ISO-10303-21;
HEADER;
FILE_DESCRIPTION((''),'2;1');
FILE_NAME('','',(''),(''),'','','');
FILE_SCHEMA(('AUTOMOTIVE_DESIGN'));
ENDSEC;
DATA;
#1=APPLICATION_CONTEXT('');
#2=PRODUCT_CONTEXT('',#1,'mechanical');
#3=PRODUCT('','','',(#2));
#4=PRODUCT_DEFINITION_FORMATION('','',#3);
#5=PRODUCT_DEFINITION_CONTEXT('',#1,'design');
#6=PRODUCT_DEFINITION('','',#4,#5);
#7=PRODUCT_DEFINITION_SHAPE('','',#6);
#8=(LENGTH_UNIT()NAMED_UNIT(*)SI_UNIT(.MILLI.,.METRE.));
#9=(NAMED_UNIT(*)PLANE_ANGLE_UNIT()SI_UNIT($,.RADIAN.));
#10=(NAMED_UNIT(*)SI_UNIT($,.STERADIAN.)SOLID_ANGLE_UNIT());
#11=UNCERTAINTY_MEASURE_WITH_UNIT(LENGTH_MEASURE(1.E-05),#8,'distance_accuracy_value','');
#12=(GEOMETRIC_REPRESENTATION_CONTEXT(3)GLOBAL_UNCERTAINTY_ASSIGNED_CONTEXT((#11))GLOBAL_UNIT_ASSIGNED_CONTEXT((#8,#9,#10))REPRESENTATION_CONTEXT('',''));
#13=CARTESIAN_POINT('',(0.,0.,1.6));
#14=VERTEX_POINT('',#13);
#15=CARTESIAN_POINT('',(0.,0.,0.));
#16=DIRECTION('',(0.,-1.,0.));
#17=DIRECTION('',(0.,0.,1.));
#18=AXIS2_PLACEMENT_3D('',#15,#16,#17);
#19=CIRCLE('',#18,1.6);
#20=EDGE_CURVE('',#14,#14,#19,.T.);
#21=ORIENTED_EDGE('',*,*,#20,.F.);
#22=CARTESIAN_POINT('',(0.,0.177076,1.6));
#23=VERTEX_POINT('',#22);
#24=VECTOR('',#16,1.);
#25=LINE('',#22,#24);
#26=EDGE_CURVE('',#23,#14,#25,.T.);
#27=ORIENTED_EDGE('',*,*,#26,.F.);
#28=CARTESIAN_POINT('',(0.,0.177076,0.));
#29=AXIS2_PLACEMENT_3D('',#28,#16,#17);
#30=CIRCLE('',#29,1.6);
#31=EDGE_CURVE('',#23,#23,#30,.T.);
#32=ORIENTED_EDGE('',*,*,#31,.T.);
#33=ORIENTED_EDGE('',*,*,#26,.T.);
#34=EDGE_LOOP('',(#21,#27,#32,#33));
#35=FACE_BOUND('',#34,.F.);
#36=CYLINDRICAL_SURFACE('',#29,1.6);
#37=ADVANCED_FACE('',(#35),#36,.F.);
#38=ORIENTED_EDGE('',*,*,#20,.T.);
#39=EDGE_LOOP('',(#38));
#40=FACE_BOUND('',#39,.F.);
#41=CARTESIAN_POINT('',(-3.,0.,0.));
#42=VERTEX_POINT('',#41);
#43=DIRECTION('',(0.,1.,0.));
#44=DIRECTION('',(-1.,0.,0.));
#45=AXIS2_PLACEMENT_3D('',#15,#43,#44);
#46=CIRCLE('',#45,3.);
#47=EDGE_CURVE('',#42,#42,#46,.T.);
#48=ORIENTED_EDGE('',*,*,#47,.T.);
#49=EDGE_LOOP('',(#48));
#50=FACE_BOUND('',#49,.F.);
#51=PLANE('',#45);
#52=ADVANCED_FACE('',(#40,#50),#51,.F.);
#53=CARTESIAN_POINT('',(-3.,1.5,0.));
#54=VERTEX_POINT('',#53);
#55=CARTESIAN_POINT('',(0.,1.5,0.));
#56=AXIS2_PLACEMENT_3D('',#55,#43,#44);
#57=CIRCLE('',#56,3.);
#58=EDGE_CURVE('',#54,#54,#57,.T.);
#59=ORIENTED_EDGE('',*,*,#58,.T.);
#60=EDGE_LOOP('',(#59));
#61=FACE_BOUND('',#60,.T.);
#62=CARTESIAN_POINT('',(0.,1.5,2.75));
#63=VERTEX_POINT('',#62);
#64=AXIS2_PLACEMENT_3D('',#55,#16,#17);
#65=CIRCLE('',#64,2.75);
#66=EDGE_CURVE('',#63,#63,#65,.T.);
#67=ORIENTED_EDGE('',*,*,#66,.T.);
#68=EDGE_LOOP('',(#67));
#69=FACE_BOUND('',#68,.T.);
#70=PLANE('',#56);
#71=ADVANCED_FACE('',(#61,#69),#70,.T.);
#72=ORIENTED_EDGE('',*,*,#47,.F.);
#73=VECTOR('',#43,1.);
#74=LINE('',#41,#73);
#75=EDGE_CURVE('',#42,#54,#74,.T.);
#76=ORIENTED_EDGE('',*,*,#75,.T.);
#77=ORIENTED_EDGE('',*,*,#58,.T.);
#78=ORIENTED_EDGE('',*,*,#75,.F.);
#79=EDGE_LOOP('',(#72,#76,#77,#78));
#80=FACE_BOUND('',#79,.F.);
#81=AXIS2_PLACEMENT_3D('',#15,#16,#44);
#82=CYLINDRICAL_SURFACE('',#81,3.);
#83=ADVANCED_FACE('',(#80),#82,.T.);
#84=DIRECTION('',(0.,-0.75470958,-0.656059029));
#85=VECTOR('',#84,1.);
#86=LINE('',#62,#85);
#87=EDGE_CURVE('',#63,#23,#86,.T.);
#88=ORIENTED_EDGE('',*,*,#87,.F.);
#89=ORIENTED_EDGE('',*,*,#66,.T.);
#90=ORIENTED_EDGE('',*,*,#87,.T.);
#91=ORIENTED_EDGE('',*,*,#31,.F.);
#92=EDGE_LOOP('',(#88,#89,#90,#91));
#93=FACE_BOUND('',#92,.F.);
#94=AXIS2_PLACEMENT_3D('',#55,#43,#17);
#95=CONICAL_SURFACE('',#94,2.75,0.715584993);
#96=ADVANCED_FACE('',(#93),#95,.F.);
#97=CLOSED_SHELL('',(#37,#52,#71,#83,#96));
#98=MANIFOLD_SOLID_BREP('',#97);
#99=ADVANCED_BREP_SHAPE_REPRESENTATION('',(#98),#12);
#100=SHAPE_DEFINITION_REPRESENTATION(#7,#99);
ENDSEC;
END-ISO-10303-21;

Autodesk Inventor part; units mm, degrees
ref_plane "YZ Plane" through (0, 0, 0) normal (1, 0, 0) x (0, 1, 0)
ref_plane "XZ Plane" through (0, 0, 0) normal (0, 1, 0) x (-1, 0, 0)
ref_plane "XY Plane" through (0, 0, 0) normal (0, 0, 1) x (1, 0, 0)
sketch "Náčrt1" plane through (0, 0, 0) normal (0, 1, 0) x (-1, 0, 0)
  circle A0 centre (0, 0) radius 3
  dimension "d0" = 6
extrude "Vysunutí1" add sketch "Náčrt1" along normal blind 1.5
sketch "Náčrt2" plane through (0, 1.5, 0) normal (0, 1, 0) x (1, 0, 0)
  circle A0 centre (0, 0) radius 3 projected
hole "Díra1" at (0, 1.5, 0) direction (0, -1, 0) diameter 3.2 end through all countersink diameter 5.5 countersink angle 82
properties part number "BackSen - Washer for M3x8"
